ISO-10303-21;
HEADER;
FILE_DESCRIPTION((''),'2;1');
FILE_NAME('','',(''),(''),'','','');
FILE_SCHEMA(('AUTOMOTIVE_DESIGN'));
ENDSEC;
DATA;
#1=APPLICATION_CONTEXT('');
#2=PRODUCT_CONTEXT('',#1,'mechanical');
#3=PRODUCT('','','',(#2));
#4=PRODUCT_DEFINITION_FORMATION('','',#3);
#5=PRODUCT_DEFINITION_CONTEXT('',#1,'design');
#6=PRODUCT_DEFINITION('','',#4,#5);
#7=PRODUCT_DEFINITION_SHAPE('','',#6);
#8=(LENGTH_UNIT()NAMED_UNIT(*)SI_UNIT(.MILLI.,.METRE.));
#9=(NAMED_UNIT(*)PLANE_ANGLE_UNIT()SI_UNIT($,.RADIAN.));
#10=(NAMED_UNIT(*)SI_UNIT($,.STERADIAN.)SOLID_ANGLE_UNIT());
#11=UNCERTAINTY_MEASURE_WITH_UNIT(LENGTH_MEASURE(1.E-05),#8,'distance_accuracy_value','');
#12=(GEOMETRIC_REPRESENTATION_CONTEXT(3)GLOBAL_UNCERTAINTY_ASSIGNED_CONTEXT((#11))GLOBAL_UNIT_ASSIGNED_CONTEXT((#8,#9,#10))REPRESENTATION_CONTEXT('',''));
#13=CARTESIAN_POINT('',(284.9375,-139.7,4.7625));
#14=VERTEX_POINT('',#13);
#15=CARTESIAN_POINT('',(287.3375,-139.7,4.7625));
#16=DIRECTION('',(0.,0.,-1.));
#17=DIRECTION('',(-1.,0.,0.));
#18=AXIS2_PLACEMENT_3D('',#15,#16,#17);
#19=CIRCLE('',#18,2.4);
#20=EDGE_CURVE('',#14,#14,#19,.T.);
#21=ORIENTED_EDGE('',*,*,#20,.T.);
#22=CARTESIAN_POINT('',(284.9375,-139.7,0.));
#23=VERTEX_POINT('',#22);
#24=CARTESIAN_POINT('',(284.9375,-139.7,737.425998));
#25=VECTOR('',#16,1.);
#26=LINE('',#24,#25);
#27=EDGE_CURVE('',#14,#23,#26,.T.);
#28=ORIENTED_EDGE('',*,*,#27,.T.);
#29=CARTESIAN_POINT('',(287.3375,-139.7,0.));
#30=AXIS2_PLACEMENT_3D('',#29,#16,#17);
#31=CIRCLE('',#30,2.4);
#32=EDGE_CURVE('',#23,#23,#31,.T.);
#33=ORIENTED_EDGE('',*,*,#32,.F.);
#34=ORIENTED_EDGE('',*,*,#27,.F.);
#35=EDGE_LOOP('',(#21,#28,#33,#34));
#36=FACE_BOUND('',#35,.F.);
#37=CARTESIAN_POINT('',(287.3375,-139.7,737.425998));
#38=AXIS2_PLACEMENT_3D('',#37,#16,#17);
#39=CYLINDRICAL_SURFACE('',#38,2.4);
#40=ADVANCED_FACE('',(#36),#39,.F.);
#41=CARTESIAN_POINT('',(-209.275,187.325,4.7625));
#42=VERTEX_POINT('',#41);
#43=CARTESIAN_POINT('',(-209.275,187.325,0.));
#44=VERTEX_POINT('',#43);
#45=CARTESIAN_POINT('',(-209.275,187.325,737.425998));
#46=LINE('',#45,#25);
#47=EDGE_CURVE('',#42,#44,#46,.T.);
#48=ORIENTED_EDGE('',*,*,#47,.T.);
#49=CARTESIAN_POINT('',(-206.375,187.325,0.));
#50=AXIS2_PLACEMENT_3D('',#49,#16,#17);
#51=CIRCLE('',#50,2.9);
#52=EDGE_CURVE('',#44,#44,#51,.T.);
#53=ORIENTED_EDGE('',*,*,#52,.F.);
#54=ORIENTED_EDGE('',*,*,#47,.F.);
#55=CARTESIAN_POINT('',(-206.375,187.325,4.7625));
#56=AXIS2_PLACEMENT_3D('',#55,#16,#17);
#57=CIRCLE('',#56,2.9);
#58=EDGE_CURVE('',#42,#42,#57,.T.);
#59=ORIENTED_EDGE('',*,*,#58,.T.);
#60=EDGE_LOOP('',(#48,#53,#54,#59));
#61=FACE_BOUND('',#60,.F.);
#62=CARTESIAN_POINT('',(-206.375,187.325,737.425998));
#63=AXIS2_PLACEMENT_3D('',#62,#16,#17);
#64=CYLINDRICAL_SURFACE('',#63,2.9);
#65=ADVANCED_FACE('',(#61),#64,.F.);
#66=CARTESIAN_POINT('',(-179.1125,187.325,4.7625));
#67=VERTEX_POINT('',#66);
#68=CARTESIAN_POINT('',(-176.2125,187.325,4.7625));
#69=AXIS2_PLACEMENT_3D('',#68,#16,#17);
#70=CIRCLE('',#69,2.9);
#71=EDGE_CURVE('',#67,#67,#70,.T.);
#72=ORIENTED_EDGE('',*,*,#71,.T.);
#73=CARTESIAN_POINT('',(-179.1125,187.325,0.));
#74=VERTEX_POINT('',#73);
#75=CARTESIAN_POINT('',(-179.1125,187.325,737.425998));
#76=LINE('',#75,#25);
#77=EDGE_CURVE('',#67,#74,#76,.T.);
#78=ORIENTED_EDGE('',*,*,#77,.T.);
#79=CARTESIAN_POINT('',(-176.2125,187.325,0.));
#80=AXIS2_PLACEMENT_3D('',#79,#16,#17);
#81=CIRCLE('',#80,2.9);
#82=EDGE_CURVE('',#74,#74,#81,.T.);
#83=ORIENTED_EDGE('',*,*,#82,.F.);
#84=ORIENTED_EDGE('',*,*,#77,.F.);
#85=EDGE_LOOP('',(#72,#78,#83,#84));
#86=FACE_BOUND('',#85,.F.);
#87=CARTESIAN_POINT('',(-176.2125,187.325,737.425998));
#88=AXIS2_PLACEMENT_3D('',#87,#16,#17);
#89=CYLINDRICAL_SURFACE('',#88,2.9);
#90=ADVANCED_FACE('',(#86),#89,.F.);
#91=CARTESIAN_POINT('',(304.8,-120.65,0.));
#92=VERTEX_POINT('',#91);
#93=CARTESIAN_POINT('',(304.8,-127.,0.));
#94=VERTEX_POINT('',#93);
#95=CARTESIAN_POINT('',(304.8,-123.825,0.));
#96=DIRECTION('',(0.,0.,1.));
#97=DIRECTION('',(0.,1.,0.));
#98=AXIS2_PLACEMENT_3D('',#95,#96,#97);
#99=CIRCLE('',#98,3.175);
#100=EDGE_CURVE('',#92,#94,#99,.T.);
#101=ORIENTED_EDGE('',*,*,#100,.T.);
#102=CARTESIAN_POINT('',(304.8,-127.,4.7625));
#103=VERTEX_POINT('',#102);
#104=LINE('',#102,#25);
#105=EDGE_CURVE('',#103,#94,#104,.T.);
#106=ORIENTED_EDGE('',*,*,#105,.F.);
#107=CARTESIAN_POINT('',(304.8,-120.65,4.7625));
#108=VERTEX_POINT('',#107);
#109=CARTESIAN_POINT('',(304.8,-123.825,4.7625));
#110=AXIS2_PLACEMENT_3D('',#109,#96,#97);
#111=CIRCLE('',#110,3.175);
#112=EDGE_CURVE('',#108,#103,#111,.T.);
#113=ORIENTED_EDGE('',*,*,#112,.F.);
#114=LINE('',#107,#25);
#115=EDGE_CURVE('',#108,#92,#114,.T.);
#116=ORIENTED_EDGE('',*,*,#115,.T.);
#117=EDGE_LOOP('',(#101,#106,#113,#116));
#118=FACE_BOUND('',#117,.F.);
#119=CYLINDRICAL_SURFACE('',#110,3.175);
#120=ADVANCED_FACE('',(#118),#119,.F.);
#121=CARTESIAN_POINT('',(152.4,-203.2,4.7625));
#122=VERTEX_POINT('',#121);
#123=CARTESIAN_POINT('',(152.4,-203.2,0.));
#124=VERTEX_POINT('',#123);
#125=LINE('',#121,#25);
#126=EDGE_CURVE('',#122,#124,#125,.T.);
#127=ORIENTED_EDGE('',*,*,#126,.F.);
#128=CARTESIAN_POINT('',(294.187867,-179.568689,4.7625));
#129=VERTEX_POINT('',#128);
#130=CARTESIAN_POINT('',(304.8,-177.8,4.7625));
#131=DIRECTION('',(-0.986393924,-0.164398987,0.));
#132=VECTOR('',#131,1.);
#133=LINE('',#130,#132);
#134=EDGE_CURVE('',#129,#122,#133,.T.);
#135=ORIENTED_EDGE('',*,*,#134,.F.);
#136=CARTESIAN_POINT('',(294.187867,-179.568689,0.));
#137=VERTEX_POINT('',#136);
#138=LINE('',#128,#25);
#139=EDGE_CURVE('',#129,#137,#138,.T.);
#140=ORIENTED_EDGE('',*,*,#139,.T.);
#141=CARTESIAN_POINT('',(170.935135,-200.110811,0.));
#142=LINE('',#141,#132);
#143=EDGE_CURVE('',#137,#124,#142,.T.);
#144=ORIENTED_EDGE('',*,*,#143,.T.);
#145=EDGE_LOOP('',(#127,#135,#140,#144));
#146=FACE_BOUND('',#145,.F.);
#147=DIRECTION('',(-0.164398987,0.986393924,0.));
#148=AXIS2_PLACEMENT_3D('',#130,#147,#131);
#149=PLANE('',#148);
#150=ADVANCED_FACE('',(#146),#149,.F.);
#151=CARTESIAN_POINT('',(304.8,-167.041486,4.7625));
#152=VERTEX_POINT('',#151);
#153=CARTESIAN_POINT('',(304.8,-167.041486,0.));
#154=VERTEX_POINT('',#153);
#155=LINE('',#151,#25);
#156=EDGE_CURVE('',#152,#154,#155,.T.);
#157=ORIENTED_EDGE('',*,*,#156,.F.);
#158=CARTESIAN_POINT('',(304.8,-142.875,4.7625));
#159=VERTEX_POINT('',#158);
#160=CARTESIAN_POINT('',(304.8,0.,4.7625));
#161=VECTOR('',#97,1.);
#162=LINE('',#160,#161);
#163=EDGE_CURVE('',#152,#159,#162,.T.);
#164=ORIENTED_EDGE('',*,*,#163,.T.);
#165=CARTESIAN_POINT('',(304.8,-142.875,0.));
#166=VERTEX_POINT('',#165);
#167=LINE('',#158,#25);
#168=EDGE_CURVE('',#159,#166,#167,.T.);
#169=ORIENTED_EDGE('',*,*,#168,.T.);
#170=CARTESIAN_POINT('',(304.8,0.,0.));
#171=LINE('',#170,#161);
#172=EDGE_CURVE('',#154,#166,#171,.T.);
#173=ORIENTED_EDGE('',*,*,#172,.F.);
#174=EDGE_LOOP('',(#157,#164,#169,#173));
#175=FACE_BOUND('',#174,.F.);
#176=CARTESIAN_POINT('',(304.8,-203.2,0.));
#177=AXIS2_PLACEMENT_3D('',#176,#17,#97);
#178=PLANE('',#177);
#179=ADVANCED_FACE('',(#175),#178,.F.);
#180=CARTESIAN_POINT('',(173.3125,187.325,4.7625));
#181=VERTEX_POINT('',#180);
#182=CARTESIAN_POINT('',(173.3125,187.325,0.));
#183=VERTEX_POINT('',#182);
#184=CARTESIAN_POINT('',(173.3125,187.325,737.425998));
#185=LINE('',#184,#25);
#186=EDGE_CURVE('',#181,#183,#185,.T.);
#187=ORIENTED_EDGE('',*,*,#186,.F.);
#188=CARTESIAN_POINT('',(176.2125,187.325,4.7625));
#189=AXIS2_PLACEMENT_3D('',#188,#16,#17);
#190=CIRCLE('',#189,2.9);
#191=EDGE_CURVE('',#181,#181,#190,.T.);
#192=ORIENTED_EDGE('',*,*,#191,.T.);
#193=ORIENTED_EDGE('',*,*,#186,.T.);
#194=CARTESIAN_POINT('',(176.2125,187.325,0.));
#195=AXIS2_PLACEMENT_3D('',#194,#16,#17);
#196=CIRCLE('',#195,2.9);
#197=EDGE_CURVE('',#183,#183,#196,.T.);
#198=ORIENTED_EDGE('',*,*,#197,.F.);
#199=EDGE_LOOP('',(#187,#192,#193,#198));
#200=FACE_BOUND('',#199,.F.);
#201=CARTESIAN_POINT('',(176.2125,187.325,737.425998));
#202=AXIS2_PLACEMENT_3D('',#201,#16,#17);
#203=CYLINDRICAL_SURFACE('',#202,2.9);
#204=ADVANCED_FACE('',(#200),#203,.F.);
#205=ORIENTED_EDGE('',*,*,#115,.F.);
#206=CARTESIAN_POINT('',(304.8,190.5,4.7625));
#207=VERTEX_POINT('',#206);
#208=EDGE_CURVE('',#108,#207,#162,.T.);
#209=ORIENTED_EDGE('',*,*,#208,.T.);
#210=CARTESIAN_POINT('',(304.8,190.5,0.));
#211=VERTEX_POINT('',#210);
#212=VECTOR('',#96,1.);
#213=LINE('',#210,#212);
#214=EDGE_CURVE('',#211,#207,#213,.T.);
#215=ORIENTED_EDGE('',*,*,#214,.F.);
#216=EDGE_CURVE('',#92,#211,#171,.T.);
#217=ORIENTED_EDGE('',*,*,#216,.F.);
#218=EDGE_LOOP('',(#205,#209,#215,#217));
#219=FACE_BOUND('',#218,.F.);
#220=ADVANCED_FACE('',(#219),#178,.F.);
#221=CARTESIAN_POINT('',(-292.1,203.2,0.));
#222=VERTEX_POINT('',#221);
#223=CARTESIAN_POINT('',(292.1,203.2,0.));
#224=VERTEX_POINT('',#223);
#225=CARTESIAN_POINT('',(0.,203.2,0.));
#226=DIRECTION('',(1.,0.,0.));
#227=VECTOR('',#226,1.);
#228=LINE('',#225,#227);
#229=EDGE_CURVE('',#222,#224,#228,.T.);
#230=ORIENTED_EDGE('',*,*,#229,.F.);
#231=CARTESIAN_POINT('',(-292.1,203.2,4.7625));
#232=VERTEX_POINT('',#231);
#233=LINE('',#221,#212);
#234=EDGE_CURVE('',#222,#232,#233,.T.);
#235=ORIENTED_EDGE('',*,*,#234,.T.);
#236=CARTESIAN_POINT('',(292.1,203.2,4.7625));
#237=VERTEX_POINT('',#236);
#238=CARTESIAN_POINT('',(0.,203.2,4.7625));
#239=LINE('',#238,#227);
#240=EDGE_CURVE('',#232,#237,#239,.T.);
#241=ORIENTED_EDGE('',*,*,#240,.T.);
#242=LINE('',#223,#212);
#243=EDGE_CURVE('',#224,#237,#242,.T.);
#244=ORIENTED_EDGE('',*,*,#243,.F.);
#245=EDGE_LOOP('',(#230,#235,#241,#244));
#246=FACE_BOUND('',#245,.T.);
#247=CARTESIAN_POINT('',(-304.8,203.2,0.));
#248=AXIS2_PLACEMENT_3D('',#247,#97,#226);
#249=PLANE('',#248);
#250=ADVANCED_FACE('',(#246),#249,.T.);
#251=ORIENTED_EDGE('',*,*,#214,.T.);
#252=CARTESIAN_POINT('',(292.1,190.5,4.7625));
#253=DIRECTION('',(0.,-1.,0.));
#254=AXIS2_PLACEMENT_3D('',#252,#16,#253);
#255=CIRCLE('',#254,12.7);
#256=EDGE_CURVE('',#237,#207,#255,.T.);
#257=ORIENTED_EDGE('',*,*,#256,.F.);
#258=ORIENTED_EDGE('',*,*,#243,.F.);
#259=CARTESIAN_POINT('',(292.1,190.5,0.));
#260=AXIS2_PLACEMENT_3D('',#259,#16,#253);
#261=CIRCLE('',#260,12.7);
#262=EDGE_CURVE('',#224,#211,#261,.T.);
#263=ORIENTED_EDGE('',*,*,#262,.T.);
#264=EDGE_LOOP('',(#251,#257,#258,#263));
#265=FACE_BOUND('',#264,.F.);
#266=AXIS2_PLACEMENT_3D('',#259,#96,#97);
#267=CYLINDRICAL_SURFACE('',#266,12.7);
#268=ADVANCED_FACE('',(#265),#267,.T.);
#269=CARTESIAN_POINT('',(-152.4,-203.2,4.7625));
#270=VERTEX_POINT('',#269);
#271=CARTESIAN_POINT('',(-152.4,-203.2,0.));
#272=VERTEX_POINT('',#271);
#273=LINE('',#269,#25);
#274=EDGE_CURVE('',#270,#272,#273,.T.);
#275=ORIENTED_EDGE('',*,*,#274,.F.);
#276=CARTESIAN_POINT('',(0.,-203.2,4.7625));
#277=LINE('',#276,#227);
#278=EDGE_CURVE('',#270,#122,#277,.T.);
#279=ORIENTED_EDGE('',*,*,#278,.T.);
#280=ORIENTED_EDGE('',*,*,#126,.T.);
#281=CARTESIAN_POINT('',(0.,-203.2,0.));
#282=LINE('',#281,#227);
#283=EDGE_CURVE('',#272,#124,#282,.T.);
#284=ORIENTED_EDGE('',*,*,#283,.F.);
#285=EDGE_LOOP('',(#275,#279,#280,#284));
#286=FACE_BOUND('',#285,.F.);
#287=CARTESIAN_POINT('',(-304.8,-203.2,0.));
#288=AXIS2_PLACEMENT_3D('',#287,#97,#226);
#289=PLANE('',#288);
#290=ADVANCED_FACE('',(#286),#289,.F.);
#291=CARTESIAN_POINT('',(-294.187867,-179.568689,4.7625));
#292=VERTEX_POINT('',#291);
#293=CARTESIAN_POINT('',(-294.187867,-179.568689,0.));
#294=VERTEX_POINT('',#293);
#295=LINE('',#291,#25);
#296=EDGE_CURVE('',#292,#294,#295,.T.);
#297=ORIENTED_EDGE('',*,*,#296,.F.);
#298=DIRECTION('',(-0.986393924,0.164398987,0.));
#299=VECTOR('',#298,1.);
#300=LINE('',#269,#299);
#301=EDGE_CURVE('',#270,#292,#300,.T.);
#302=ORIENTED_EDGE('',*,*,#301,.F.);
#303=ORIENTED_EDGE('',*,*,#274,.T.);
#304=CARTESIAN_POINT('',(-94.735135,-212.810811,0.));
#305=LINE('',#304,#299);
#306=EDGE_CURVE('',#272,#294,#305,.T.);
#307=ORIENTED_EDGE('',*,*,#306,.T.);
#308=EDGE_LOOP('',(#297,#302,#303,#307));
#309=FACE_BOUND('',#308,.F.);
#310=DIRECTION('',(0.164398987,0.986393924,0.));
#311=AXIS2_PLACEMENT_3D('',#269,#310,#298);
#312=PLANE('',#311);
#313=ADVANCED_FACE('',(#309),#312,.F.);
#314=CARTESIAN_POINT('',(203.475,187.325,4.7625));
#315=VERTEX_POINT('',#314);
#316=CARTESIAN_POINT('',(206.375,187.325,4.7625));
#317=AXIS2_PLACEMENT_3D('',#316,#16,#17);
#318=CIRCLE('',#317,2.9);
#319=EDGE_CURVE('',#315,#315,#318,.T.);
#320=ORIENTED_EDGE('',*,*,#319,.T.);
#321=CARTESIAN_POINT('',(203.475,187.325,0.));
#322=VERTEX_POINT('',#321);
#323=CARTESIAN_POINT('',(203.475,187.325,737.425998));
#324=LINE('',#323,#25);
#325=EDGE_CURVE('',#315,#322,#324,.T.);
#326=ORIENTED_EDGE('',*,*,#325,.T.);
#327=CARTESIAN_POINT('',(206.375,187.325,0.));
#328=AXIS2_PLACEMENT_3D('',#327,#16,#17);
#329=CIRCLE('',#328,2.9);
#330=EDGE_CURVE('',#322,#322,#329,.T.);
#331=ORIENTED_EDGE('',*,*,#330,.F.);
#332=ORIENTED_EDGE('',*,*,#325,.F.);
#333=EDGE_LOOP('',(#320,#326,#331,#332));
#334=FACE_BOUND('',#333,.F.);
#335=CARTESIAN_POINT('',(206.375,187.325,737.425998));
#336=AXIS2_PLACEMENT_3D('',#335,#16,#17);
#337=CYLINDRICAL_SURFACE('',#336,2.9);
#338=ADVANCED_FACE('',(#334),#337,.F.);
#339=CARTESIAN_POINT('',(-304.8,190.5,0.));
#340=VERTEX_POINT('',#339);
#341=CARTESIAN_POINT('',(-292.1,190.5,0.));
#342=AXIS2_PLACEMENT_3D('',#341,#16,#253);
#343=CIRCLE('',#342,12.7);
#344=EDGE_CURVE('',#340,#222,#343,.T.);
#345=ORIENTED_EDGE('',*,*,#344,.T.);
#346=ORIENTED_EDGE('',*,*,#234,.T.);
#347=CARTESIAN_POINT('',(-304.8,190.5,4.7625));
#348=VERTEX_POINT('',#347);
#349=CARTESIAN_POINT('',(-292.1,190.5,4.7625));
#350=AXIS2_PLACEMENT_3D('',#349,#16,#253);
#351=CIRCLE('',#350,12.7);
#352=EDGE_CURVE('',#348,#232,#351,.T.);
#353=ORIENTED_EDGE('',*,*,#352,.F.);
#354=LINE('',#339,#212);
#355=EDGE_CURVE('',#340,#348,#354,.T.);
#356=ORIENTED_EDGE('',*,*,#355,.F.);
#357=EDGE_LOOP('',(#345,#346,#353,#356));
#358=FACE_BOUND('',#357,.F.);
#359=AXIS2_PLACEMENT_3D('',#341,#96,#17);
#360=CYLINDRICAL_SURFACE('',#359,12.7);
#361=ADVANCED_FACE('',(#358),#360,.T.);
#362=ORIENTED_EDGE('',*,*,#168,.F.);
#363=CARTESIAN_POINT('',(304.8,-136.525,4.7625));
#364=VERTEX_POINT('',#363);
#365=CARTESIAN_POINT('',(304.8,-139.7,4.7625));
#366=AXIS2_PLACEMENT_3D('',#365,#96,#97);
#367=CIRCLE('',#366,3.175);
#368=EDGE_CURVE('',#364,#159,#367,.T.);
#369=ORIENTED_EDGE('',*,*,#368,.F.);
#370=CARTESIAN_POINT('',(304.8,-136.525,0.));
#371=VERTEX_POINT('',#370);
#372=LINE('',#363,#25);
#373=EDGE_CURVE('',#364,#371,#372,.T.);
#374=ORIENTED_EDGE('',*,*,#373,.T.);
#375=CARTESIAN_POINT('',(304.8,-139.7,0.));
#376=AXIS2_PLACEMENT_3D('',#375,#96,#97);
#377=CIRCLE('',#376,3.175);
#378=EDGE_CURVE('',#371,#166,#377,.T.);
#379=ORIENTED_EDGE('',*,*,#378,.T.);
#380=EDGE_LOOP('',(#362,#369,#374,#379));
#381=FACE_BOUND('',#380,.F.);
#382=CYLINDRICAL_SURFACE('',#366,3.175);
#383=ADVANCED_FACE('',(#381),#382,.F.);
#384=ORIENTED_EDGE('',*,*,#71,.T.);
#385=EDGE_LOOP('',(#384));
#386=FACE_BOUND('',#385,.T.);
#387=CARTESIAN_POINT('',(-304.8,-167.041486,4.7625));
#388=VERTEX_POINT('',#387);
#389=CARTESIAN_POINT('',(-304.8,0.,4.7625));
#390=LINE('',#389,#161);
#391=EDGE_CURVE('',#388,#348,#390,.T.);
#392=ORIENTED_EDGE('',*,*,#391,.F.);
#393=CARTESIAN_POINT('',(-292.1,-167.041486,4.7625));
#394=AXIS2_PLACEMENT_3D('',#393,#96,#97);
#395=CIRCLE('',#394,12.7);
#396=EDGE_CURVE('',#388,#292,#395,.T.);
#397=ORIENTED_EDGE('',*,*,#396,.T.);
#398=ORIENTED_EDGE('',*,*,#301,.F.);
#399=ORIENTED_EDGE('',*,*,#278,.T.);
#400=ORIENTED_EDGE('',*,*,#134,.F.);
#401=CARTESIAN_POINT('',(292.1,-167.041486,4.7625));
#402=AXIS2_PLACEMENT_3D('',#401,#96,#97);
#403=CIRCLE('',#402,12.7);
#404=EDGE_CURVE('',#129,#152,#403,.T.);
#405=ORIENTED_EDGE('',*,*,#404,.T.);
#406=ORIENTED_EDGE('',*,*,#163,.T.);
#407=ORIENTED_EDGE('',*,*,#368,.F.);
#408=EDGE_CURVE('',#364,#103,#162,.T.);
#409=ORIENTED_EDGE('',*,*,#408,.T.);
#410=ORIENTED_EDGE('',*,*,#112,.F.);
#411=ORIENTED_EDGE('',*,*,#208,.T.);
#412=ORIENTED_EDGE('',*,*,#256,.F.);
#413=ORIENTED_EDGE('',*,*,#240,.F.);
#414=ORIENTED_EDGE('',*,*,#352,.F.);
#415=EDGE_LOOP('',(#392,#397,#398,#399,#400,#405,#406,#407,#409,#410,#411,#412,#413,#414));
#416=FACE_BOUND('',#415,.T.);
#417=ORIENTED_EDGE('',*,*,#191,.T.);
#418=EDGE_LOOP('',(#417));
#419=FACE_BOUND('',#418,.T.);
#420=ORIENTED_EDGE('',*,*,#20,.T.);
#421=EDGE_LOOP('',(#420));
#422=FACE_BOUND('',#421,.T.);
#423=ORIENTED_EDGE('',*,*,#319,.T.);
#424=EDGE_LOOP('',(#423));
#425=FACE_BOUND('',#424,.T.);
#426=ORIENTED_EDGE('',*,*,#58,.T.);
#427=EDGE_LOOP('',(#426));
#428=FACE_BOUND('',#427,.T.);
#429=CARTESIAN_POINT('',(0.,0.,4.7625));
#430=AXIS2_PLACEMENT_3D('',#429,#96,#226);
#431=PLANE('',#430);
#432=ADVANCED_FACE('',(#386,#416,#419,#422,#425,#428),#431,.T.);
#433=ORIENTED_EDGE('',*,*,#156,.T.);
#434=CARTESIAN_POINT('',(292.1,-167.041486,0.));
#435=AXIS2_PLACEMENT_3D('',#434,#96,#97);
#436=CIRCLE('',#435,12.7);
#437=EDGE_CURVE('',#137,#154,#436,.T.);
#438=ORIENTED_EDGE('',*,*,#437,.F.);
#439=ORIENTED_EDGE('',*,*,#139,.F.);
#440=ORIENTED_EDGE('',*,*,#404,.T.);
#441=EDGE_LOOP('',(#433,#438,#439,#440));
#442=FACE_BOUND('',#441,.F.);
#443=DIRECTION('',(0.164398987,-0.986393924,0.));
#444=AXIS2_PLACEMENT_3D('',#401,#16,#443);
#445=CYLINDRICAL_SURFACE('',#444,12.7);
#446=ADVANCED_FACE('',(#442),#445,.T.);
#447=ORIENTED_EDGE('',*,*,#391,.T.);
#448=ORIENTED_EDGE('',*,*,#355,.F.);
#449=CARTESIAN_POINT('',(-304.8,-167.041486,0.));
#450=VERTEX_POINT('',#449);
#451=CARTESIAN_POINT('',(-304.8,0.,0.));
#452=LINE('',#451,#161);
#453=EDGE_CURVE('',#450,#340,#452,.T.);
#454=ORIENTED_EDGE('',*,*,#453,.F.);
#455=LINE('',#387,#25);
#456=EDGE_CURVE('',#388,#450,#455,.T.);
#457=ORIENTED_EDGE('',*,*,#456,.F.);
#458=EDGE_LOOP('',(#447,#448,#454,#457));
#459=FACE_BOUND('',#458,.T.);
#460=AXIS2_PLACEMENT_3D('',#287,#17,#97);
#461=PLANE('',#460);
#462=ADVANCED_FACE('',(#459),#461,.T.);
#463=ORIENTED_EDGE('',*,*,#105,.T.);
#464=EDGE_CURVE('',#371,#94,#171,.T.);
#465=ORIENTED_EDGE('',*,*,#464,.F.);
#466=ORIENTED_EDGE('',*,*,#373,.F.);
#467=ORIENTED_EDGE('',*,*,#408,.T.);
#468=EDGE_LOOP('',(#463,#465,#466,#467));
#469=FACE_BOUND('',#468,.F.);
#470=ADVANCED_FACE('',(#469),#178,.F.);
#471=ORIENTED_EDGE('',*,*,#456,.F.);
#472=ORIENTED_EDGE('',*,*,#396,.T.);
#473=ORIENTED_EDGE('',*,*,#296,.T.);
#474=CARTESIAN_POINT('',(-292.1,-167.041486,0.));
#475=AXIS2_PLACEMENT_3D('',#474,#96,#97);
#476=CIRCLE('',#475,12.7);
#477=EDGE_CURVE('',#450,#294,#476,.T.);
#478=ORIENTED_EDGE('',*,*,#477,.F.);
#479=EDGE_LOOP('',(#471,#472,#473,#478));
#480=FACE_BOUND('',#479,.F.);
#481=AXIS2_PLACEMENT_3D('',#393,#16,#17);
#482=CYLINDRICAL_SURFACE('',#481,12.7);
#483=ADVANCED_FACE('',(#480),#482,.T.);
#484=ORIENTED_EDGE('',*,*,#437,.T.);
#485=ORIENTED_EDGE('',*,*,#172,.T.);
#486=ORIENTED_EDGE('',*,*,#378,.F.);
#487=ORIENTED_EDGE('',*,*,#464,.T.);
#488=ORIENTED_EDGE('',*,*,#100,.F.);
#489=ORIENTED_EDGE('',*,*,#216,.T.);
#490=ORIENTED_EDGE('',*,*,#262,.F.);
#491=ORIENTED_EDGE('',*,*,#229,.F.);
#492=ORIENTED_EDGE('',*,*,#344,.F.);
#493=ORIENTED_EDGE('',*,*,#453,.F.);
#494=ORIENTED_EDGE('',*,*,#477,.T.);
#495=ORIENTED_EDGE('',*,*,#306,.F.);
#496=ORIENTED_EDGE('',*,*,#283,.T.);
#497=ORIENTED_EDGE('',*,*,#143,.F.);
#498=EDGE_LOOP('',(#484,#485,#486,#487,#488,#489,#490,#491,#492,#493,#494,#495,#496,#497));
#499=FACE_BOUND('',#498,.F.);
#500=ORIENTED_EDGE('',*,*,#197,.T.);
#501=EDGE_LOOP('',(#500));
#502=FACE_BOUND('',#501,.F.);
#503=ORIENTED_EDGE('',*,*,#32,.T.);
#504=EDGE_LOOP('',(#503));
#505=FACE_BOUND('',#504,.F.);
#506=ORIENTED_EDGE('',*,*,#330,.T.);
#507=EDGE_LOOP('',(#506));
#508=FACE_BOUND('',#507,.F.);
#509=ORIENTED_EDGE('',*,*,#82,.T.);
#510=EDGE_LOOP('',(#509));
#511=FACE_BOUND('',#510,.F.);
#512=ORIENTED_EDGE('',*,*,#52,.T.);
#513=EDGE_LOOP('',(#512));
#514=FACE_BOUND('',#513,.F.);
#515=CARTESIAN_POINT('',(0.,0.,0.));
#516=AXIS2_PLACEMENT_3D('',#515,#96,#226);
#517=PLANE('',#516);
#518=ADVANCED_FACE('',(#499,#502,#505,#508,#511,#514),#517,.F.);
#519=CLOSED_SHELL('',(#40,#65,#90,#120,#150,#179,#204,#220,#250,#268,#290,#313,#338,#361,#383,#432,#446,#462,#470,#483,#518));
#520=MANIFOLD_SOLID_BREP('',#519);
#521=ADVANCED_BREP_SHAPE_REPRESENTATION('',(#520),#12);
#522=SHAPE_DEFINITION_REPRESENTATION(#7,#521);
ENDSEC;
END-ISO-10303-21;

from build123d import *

# Parameters (mm, degrees)
F0_W     = 609.6
F0_H     = 406.4
F1_DEPTH = 4.7625
F3_DEPTH = 25.4
F5_D     = 5.8
F7_DEPTH = 25.4
F9_D     = 4.8
F10_R    = 12.7


with BuildPart() as f1:
    # F0 (on Top) → F1 (new body)
    with BuildSketch(Plane.XY):
        Rectangle(F0_W, F0_H)
    extrude(amount=F1_DEPTH)

    # F2 (on face) → F3 (cut)
    with BuildSketch(Plane.XY.offset(4.7625)):
        Polygon((-152.4, -203.2), (-304.8, -177.8), (-304.8, -203.2), align=None)
        Polygon((152.4, -203.2), (304.8, -203.2), (304.8, -177.8), align=None)
    extrude(amount=-F3_DEPTH, mode=Mode.SUBTRACT)

    # F5 (through all)
    with Locations(Plane.XY.offset(4.7625)):
        with Locations((-206.375, 187.325), (-176.2125, 187.325), (176.2125, 187.325), (206.375, 187.325)):
            Hole(F5_D / 2)

    # F6 (on face) → F7 (cut)
    with BuildSketch(Plane.XY.offset(4.7625)):
        with BuildLine():
            Line((304.8, -127), (304.8, -120.65))
            ThreePointArc((304.8, -120.65), (301.625, -123.825), (304.8, -127))
        make_face()
        with BuildLine():
            Line((304.8, -142.875), (304.8, -136.525))
            ThreePointArc((304.8, -136.525), (301.625, -139.7), (304.8, -142.875))
        make_face()
    extrude(amount=-F7_DEPTH, mode=Mode.SUBTRACT)

    # F9 (through all)
    with Locations(Plane.XY.offset(4.7625)):
        with Locations((287.3375, -139.7)):
            Hole(F9_D / 2)

    # F10
    f10_edges = [f1.edges().sort_by_distance(p)[0] for p in [
        (304.8, -177.8, 2.38125),
        (-304.8, -177.8, 2.38125),
        (304.8, 203.2, 2.38125),
        (-304.8, 203.2, 2.38125),
    ]]
    fillet(f10_edges, radius=F10_R)


solid = f1.part
